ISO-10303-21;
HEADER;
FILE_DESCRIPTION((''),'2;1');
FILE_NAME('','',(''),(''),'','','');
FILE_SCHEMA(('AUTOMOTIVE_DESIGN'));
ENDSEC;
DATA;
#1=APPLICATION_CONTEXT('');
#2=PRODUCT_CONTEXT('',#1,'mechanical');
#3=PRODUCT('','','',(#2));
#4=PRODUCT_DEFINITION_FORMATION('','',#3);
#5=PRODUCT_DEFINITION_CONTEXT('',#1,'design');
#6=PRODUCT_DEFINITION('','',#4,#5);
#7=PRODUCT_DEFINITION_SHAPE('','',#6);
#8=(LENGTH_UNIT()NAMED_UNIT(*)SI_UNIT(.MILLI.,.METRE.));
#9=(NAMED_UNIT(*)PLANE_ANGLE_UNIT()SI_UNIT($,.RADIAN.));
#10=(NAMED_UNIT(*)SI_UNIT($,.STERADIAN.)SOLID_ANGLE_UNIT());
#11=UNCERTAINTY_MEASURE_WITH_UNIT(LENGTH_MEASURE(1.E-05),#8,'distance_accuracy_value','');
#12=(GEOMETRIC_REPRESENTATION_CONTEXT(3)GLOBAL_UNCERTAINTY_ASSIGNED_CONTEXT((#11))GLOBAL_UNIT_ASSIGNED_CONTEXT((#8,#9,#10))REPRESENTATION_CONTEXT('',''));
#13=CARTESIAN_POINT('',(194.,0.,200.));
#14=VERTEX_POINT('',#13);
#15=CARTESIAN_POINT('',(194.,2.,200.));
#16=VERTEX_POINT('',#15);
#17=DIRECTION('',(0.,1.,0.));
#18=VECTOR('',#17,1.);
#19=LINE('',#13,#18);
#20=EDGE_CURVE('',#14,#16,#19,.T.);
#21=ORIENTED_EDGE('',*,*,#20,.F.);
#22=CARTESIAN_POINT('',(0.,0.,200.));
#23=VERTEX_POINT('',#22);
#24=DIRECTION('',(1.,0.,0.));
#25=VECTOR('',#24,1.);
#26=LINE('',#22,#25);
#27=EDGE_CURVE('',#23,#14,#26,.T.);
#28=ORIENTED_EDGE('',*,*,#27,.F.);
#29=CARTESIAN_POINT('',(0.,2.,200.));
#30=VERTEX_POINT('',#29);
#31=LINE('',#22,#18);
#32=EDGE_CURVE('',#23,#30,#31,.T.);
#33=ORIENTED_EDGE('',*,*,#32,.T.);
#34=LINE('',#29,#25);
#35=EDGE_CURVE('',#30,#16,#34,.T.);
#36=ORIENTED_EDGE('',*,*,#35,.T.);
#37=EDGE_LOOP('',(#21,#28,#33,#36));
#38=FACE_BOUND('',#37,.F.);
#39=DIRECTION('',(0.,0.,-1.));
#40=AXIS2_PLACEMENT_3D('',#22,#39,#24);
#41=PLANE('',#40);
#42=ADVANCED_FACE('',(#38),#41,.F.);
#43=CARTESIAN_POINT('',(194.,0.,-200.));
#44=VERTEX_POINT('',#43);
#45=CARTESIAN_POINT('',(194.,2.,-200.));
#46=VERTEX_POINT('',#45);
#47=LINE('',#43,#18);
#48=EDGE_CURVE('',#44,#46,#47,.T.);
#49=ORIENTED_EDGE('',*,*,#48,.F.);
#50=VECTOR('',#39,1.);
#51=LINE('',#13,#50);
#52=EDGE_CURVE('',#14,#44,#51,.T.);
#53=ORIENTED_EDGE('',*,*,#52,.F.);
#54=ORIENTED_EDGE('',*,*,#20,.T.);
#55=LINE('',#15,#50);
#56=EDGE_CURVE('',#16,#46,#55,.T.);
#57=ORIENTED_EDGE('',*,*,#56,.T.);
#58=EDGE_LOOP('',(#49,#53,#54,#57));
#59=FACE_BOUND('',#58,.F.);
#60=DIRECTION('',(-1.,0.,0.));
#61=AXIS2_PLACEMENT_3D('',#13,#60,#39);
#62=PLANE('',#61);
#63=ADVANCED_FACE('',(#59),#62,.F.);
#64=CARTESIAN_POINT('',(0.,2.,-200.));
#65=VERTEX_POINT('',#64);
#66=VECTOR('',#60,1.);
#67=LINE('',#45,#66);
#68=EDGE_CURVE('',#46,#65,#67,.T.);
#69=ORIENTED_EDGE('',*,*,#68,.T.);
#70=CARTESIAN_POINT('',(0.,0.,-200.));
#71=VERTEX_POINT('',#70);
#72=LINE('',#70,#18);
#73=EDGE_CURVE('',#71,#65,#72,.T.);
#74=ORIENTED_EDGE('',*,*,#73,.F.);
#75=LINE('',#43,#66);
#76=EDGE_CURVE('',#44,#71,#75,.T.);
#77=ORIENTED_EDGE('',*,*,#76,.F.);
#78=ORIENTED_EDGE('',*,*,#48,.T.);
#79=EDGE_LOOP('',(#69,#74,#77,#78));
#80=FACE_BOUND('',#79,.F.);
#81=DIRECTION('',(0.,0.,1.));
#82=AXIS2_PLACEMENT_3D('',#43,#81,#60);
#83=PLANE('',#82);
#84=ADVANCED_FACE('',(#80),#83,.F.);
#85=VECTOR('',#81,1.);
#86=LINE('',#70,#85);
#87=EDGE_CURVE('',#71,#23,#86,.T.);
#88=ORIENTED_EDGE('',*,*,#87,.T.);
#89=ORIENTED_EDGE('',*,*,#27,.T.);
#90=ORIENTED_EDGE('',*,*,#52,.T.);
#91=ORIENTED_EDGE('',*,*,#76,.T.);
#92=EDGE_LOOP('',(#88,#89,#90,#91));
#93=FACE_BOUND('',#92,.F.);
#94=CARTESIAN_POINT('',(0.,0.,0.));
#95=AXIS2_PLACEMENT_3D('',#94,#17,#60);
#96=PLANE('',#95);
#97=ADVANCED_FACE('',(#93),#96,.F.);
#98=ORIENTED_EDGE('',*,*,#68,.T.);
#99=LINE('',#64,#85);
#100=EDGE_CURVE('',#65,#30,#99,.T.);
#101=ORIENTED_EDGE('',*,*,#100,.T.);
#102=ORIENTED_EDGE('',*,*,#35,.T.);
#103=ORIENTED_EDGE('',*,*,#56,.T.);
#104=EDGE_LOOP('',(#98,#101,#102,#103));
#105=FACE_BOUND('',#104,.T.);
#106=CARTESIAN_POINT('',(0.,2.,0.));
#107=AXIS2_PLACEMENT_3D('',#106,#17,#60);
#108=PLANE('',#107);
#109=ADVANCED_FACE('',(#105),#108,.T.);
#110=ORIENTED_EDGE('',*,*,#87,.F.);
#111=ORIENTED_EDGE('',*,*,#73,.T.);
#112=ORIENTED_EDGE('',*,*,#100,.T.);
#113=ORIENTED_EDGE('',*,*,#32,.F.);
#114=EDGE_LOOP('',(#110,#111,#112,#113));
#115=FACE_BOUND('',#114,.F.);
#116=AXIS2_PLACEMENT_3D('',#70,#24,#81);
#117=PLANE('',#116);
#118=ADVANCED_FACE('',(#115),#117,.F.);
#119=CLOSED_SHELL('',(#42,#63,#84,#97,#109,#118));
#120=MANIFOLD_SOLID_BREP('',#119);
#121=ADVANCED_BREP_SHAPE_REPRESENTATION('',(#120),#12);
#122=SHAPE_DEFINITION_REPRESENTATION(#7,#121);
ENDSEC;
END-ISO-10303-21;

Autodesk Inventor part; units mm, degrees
ref_plane "YZ Plane" through (0, 0, 0) normal (1, 0, 0) x (0, 1, 0)
ref_plane "XZ Plane" through (0, 0, 0) normal (0, 1, 0) x (-1, 0, 0)
ref_plane "XY Plane" through (0, 0, 0) normal (0, 0, 1) x (1, 0, 0)
sketch "Sketch1" plane through (0, 0, 0) normal (0, 1, 0) x (-1, 0, 0)
  line L0 (0, 200) -> (-194, 200)
  line L1 (-194, 200) -> (-194, -200)
  line L2 (-194, -200) -> (0, -200)
  line L3 (0, -200) -> (0, 200)
  point P0 (0, 0)
  point P1 (0, 0)
  dimension "d0" = 400
  dimension "d1" = 194
extrude "Plate2" add sketch "Sketch1" along normal blind 2
equation "\"d3\" = Thickness"
equation "\"BendReliefWidth\" = Thickness"
equation "\"BendReliefDepth\" = 0.5 * Thickness"
equation "\"CornerReliefSize\" = 4 * Thickness"
equation "\"MinimumRemnant\" = 2 * Thickness"
equation "\"TransitionRadius\" = BendRadius"
equation "\"JacobiRadiusSize\" = BendRadius"
equation "\"GapSize\" = Thickness"
equation "\"Thickness\" = 2"
equation "\"BendRadius\" = 2.5"
properties part number "MSC 709 RIDGE 5" material "Stainless Steel"
